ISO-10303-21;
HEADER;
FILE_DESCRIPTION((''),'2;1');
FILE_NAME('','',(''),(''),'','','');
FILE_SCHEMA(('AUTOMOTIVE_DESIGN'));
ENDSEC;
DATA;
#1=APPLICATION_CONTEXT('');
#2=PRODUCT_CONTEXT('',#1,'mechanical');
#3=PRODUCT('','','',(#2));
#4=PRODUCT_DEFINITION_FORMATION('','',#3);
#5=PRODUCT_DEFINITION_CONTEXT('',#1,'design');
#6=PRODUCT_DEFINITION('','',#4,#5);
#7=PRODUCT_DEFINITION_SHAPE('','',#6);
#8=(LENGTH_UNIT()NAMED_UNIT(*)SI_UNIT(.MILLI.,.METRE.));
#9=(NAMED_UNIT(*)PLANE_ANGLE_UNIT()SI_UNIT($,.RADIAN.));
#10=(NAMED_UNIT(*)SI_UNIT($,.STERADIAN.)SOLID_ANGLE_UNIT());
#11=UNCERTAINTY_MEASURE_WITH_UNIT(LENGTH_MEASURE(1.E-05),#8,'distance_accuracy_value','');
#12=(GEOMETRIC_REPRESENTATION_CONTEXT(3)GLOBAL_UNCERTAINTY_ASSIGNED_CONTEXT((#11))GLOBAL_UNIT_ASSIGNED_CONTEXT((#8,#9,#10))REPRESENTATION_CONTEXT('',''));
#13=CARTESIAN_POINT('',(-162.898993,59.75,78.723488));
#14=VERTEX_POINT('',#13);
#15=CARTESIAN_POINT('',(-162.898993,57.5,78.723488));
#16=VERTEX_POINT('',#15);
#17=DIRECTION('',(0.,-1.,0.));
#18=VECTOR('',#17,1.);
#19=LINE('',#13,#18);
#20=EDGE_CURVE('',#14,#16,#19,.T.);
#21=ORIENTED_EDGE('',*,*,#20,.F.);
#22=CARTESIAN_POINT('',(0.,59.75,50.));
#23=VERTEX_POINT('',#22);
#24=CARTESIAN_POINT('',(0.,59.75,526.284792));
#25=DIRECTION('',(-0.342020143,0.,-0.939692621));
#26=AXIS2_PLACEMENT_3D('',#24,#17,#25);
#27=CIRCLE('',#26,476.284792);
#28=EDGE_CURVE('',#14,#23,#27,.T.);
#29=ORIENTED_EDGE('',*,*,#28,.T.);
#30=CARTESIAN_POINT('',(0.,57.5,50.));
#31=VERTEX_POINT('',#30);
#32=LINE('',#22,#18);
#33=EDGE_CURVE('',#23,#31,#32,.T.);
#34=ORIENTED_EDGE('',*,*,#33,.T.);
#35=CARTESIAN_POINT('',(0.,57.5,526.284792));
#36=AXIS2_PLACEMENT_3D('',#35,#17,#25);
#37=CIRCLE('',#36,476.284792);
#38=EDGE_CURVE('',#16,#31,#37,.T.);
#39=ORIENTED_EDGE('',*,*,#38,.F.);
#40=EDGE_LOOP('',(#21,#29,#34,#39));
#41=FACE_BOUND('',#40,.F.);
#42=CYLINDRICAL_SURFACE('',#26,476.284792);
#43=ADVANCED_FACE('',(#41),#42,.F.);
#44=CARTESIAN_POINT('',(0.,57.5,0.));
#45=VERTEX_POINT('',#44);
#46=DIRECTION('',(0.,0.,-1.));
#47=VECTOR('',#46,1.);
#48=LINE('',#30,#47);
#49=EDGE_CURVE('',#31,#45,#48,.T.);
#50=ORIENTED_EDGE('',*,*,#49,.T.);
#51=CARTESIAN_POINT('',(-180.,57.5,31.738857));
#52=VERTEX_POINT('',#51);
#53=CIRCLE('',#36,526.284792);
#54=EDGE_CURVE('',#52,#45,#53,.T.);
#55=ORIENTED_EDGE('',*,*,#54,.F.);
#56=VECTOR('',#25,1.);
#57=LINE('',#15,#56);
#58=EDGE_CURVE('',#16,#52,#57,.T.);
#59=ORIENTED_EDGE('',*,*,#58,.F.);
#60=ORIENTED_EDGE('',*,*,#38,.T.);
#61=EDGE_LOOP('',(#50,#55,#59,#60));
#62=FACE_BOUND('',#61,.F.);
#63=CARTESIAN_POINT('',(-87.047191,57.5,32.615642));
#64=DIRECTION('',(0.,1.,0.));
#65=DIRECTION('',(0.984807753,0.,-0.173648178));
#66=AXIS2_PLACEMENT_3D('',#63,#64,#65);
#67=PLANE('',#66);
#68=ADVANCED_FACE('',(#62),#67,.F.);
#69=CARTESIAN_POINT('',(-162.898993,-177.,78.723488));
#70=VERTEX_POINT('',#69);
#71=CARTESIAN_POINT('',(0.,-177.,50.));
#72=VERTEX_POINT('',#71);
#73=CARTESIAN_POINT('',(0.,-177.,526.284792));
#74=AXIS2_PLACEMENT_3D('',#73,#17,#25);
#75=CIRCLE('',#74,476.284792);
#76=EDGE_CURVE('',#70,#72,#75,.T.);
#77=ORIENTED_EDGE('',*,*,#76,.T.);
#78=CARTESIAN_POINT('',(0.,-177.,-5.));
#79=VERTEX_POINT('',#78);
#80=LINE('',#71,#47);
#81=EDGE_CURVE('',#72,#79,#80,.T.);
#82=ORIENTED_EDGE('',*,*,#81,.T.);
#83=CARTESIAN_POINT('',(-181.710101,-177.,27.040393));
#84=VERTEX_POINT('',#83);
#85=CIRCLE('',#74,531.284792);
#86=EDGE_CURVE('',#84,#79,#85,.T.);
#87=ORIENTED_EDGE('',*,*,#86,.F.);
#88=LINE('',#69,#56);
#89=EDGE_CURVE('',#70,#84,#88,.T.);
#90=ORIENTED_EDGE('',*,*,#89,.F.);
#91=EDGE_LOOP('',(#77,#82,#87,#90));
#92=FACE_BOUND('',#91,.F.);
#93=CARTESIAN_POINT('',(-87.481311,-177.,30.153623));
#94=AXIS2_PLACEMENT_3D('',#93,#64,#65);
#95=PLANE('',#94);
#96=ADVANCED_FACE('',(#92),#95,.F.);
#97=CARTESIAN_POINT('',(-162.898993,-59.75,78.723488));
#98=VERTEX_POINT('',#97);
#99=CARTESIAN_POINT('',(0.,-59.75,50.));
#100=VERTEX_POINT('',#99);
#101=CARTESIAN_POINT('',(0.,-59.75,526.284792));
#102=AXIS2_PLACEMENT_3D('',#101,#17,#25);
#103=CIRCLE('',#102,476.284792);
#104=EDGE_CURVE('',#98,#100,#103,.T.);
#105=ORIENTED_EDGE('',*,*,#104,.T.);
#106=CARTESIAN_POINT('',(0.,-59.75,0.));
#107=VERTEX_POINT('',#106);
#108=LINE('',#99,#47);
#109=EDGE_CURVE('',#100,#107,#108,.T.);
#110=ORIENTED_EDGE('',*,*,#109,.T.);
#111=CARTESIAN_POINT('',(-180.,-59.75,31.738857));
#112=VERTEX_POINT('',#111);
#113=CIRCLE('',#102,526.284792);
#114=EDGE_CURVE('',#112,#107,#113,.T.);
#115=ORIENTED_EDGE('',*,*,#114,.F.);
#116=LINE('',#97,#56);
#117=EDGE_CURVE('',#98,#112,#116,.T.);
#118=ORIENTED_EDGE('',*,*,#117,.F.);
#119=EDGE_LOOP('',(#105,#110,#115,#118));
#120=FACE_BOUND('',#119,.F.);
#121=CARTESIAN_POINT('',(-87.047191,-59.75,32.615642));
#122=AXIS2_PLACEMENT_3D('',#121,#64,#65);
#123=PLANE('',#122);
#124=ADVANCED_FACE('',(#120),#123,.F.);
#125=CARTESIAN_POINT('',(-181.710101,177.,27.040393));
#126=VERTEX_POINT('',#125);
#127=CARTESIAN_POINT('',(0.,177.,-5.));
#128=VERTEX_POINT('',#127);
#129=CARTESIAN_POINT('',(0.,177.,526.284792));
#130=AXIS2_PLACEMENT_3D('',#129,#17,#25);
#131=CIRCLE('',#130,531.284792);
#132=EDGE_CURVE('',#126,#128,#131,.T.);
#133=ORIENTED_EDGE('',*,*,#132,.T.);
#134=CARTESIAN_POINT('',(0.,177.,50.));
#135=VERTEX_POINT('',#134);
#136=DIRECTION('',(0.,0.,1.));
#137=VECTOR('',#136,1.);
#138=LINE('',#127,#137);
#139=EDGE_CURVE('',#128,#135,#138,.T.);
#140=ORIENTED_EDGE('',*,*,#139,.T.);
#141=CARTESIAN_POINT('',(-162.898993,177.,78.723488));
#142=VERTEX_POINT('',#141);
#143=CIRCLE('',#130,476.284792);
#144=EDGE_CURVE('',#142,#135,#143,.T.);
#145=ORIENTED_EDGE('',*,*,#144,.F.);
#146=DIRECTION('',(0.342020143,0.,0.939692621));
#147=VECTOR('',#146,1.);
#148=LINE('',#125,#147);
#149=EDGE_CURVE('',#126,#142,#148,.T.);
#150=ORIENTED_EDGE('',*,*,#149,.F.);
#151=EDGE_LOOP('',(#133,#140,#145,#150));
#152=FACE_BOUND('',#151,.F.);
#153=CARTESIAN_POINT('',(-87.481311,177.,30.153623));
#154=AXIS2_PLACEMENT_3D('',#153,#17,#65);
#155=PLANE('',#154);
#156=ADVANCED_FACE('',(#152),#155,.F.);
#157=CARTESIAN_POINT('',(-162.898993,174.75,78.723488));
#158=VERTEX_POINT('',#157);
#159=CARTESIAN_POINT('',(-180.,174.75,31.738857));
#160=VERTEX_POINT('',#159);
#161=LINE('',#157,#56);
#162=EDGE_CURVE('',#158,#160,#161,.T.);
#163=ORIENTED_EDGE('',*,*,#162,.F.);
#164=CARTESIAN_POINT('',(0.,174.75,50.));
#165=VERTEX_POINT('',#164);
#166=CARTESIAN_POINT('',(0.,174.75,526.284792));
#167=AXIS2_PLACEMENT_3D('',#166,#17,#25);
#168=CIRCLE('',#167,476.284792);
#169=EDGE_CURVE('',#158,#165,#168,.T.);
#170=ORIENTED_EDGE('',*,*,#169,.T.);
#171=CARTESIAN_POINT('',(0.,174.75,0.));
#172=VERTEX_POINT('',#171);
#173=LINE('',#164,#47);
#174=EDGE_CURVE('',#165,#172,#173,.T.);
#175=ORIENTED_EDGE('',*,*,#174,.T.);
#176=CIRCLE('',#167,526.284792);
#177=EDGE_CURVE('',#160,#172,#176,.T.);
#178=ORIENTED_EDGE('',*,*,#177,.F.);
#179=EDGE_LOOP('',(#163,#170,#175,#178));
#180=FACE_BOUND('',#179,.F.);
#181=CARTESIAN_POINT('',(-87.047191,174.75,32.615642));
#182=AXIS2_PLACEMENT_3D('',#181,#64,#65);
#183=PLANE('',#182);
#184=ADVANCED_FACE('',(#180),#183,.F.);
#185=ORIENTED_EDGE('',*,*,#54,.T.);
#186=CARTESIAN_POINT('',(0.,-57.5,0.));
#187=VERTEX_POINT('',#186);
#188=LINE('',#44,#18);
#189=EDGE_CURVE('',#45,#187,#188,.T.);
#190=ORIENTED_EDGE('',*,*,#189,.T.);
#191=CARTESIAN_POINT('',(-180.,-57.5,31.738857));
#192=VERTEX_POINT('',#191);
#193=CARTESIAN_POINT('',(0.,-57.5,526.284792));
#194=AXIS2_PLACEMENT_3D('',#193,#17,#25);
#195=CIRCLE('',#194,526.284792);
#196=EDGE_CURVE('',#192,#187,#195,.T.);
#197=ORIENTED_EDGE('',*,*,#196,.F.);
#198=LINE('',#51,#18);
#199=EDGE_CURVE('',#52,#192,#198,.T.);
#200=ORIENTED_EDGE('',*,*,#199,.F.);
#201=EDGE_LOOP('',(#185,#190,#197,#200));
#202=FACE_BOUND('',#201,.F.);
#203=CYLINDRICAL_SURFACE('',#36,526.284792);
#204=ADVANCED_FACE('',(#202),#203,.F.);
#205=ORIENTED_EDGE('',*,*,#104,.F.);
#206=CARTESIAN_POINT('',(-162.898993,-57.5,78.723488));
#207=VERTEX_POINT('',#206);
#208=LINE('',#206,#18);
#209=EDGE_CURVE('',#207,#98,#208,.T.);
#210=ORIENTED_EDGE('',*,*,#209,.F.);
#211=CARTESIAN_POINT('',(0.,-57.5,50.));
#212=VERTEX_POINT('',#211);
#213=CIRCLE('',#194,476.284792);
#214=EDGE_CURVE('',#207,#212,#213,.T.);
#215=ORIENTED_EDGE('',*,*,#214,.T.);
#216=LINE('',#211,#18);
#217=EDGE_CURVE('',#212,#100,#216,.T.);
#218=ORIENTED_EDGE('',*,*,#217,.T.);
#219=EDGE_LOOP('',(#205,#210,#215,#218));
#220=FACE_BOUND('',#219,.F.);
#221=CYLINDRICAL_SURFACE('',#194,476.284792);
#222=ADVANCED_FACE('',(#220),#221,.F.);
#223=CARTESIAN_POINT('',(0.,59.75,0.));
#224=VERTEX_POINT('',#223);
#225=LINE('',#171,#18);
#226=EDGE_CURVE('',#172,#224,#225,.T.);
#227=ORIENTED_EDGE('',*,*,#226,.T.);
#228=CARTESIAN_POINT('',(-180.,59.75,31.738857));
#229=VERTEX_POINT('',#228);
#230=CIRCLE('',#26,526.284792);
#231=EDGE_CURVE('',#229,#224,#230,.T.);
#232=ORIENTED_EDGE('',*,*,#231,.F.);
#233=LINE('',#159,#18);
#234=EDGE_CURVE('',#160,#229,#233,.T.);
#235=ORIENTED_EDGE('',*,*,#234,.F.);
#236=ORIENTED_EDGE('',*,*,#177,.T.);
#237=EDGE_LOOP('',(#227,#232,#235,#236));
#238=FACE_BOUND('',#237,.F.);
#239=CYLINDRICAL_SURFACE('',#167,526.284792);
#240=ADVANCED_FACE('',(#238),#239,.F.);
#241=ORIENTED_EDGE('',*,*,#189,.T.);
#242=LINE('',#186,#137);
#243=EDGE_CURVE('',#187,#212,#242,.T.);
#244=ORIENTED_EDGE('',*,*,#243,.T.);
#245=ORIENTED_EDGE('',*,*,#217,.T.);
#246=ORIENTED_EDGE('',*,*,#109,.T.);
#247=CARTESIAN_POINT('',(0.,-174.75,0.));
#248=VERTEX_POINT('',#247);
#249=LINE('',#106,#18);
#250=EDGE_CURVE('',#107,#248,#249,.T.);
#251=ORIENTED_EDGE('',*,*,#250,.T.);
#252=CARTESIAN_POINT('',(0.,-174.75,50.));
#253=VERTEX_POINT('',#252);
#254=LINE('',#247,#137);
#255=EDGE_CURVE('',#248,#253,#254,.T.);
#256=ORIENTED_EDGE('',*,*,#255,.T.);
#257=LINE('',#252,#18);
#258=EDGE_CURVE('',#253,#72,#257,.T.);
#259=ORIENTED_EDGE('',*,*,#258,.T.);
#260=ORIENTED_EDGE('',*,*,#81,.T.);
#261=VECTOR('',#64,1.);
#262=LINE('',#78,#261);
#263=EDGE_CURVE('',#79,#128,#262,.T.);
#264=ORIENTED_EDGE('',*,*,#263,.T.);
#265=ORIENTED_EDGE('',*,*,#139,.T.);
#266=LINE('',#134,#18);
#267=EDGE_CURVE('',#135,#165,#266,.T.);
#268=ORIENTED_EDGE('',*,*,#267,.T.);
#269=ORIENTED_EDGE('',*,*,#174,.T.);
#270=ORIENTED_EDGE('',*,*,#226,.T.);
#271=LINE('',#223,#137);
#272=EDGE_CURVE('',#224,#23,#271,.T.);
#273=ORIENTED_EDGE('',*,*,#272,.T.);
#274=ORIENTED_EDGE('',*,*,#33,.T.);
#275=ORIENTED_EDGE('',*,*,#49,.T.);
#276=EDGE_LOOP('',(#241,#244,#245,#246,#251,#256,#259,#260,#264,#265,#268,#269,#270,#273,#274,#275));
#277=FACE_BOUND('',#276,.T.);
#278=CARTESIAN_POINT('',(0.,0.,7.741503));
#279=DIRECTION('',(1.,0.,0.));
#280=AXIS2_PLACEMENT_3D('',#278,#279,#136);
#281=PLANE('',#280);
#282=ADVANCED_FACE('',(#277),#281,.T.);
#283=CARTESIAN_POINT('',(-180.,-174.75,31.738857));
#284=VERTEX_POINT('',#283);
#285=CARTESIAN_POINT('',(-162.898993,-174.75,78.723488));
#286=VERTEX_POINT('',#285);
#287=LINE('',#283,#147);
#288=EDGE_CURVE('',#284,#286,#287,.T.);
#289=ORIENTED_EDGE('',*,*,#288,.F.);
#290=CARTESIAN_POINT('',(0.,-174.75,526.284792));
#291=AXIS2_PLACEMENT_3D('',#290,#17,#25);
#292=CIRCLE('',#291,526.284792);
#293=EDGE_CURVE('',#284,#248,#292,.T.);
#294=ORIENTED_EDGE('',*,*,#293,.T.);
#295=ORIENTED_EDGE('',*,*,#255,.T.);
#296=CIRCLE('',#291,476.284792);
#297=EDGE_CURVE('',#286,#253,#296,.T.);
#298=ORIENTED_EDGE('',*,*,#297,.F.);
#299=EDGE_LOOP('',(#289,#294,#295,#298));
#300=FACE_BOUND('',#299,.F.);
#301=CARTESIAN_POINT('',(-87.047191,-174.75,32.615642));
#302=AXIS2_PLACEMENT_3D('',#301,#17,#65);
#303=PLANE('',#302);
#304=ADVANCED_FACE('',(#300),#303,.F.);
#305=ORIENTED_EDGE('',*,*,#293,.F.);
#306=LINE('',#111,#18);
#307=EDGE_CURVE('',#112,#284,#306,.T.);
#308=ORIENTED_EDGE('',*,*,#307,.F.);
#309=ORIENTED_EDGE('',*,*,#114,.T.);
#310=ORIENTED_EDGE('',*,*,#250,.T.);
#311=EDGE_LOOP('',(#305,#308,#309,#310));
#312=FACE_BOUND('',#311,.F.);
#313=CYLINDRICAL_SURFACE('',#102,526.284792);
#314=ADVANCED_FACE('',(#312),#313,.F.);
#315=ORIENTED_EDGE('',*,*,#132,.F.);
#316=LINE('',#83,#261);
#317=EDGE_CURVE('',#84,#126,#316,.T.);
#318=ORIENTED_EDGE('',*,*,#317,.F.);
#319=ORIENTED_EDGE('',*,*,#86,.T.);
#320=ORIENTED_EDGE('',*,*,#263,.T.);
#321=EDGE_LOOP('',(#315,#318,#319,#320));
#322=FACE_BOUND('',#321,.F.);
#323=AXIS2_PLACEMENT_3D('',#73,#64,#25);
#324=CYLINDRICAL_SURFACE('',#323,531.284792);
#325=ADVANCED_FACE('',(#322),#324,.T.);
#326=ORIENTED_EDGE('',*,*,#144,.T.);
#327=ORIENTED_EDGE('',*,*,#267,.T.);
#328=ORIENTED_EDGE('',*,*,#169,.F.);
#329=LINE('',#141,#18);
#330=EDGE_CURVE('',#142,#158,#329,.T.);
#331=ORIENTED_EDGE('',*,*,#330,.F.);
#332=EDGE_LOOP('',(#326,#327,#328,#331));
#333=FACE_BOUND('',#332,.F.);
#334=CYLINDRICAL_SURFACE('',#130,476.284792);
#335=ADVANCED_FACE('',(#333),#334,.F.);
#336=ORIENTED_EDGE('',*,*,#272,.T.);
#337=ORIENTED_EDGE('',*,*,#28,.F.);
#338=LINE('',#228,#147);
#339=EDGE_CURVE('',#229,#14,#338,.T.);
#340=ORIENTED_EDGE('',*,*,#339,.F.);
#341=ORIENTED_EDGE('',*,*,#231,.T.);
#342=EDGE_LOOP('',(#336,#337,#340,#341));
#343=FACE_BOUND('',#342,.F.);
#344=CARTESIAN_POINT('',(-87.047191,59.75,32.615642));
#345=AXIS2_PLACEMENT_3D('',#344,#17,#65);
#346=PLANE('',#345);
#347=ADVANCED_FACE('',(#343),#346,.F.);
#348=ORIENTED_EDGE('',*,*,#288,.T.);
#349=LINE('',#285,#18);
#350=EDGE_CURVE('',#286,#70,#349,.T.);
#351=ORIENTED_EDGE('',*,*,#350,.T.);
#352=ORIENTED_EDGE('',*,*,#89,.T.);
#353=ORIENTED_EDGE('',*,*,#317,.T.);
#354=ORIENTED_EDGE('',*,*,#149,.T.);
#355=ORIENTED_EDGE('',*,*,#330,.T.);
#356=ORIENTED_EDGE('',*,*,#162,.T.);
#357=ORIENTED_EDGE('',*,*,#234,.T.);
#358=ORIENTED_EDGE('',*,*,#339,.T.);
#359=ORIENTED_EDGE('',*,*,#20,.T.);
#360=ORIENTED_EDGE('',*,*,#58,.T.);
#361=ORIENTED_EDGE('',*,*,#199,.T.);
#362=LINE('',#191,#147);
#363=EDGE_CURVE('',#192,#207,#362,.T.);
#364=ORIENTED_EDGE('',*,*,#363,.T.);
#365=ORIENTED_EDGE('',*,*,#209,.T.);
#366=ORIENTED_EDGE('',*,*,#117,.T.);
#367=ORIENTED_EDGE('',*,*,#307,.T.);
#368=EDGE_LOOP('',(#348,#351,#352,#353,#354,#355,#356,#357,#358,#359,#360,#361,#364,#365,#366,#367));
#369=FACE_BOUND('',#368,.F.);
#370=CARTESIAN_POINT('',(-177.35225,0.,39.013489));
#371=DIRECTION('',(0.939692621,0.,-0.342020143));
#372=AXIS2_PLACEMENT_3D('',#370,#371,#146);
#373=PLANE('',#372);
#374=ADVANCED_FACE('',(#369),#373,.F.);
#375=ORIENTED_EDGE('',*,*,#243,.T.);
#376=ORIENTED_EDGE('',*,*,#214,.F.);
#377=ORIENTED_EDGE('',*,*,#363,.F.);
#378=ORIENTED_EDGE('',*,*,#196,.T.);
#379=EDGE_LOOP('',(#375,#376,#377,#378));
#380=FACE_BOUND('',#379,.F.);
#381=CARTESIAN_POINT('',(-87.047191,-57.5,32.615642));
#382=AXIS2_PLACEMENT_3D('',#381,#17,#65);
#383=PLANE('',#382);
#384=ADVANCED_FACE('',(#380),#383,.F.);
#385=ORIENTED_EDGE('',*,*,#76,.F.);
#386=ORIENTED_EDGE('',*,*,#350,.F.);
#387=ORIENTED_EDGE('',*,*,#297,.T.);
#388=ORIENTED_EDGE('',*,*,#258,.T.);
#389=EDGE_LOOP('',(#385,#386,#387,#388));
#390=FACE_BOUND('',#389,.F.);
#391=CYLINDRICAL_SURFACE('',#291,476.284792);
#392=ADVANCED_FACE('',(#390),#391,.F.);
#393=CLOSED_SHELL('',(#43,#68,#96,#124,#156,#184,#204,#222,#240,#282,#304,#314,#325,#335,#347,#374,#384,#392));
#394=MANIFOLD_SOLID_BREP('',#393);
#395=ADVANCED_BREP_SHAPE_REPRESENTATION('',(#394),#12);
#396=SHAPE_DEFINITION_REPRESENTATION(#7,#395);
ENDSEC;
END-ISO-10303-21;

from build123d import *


with BuildPart() as f4:
    # F4: sweep along a path in F3
    with BuildLine(Plane.XZ) as f4_path:
        ThreePointArc((-180, 31.7388565275), (-91.3883950697, 7.9954485464), (0, 0))
    # F2 (on Right) → F4 (sweep)
    with BuildSketch(Plane.YZ):
        Polygon((57.5, 0), (-57.5, 0), (-57.5, 50), (-59.75, 50), (-59.75, 0), (-174.75, 0), (-174.75, 50), (-177, 50), (-177, -5), (177, -5), (177, 50), (174.75, 50), (174.75, 0), (59.75, 0), (59.75, 50), (57.5, 50), align=None)
    sweep(path=f4_path.line)


solid = f4.part
